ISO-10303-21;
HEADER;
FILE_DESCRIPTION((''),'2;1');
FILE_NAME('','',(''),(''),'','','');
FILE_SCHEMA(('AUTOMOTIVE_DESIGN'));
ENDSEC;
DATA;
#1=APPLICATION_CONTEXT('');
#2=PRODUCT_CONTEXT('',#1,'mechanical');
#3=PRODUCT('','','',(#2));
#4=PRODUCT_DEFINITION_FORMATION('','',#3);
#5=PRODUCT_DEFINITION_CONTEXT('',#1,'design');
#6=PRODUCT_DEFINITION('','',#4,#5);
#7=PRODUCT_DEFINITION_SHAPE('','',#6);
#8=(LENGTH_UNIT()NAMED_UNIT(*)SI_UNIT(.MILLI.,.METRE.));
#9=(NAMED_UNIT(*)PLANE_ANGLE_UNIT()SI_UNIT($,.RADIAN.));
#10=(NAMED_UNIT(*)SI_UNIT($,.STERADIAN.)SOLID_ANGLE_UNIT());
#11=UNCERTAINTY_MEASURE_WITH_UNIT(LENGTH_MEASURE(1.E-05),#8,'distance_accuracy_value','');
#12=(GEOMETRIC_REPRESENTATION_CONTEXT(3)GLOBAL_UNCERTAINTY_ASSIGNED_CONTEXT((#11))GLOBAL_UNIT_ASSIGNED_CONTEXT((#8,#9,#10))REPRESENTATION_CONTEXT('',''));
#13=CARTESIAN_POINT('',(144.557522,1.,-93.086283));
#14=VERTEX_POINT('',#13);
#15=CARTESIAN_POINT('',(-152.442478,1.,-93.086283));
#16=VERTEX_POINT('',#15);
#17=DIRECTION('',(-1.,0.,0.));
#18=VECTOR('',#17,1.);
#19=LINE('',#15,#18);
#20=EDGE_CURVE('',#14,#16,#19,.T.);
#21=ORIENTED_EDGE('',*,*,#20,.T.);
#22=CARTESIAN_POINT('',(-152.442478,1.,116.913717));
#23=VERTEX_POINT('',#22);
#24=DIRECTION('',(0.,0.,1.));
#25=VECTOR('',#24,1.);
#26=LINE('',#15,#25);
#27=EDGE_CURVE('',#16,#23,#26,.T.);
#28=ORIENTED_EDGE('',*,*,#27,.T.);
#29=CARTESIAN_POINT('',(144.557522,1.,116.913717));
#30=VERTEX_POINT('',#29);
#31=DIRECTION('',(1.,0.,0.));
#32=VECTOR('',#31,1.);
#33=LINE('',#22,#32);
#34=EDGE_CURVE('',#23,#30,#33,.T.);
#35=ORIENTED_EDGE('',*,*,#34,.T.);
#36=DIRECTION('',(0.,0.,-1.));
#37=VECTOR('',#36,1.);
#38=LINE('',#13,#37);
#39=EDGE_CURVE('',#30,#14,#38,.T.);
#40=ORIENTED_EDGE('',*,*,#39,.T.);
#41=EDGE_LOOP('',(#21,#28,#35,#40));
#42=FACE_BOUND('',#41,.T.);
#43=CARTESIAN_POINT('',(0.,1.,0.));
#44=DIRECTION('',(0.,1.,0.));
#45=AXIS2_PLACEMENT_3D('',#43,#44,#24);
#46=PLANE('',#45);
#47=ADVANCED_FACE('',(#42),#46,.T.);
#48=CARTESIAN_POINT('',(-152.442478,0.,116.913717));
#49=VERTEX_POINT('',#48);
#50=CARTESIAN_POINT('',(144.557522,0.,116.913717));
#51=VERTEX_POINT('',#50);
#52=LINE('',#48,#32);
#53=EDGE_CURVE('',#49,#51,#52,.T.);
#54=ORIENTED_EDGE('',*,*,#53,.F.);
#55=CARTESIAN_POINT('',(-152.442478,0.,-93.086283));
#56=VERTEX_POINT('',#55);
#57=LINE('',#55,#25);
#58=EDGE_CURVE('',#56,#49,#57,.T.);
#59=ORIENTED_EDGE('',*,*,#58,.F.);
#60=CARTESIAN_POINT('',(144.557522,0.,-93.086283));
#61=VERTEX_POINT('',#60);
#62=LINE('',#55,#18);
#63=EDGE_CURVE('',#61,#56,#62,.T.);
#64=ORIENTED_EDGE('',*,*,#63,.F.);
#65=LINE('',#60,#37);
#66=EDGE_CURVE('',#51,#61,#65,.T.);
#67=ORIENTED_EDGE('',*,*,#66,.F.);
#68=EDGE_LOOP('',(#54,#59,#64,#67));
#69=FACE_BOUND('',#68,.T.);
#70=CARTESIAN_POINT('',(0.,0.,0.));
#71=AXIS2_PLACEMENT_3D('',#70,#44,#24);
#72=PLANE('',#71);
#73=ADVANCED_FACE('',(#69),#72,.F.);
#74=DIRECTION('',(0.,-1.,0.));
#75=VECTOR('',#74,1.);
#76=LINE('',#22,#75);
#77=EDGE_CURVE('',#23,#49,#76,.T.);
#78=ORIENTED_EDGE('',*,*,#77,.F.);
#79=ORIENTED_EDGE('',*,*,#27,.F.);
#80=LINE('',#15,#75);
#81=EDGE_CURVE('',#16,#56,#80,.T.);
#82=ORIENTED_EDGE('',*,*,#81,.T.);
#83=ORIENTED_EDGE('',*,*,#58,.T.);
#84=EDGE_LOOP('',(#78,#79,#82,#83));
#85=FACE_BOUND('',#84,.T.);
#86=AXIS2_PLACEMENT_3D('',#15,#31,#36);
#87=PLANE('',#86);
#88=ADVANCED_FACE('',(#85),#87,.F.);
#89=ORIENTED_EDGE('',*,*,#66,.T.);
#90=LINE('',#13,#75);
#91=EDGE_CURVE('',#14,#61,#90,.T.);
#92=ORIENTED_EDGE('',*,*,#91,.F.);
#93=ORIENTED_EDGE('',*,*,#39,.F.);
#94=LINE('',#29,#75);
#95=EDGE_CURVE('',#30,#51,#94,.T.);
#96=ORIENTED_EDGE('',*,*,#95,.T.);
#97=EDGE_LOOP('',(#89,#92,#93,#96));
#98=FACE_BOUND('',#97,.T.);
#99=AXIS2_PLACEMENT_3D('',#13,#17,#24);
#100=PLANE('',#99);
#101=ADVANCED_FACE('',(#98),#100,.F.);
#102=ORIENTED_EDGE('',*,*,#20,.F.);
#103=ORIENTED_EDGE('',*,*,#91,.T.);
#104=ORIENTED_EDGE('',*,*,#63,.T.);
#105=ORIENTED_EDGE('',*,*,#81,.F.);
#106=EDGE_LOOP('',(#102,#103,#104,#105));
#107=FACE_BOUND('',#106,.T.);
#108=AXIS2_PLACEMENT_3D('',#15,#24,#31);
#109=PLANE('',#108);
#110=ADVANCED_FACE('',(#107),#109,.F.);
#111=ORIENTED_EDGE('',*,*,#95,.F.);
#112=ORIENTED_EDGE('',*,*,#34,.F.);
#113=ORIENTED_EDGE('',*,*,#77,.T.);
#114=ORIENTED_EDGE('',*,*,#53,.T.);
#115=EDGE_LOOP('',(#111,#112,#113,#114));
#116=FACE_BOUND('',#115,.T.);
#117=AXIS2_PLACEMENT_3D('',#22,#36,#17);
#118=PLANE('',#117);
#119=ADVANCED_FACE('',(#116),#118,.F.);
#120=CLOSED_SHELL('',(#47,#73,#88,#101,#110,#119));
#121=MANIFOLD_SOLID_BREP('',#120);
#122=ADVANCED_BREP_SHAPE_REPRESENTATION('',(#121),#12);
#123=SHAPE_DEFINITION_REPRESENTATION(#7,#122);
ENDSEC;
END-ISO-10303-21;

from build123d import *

# Parameters (mm, degrees)
SKETCH1_W           = 297
SKETCH1_H           = 210
BOSS_EXTRUDE1_DEPTH = 1


with BuildPart() as part:
    # Sketch1 → Boss-Extrude1 (new body)
    with BuildSketch(Plane(origin=(0, 0, 0), x_dir=(1, 0, 0), z_dir=(0, 1, 0))):
        with Locations((-3.942477876, -11.913716814)):
            Rectangle(SKETCH1_W, SKETCH1_H)
    extrude(amount=BOSS_EXTRUDE1_DEPTH)


solid = part.part
